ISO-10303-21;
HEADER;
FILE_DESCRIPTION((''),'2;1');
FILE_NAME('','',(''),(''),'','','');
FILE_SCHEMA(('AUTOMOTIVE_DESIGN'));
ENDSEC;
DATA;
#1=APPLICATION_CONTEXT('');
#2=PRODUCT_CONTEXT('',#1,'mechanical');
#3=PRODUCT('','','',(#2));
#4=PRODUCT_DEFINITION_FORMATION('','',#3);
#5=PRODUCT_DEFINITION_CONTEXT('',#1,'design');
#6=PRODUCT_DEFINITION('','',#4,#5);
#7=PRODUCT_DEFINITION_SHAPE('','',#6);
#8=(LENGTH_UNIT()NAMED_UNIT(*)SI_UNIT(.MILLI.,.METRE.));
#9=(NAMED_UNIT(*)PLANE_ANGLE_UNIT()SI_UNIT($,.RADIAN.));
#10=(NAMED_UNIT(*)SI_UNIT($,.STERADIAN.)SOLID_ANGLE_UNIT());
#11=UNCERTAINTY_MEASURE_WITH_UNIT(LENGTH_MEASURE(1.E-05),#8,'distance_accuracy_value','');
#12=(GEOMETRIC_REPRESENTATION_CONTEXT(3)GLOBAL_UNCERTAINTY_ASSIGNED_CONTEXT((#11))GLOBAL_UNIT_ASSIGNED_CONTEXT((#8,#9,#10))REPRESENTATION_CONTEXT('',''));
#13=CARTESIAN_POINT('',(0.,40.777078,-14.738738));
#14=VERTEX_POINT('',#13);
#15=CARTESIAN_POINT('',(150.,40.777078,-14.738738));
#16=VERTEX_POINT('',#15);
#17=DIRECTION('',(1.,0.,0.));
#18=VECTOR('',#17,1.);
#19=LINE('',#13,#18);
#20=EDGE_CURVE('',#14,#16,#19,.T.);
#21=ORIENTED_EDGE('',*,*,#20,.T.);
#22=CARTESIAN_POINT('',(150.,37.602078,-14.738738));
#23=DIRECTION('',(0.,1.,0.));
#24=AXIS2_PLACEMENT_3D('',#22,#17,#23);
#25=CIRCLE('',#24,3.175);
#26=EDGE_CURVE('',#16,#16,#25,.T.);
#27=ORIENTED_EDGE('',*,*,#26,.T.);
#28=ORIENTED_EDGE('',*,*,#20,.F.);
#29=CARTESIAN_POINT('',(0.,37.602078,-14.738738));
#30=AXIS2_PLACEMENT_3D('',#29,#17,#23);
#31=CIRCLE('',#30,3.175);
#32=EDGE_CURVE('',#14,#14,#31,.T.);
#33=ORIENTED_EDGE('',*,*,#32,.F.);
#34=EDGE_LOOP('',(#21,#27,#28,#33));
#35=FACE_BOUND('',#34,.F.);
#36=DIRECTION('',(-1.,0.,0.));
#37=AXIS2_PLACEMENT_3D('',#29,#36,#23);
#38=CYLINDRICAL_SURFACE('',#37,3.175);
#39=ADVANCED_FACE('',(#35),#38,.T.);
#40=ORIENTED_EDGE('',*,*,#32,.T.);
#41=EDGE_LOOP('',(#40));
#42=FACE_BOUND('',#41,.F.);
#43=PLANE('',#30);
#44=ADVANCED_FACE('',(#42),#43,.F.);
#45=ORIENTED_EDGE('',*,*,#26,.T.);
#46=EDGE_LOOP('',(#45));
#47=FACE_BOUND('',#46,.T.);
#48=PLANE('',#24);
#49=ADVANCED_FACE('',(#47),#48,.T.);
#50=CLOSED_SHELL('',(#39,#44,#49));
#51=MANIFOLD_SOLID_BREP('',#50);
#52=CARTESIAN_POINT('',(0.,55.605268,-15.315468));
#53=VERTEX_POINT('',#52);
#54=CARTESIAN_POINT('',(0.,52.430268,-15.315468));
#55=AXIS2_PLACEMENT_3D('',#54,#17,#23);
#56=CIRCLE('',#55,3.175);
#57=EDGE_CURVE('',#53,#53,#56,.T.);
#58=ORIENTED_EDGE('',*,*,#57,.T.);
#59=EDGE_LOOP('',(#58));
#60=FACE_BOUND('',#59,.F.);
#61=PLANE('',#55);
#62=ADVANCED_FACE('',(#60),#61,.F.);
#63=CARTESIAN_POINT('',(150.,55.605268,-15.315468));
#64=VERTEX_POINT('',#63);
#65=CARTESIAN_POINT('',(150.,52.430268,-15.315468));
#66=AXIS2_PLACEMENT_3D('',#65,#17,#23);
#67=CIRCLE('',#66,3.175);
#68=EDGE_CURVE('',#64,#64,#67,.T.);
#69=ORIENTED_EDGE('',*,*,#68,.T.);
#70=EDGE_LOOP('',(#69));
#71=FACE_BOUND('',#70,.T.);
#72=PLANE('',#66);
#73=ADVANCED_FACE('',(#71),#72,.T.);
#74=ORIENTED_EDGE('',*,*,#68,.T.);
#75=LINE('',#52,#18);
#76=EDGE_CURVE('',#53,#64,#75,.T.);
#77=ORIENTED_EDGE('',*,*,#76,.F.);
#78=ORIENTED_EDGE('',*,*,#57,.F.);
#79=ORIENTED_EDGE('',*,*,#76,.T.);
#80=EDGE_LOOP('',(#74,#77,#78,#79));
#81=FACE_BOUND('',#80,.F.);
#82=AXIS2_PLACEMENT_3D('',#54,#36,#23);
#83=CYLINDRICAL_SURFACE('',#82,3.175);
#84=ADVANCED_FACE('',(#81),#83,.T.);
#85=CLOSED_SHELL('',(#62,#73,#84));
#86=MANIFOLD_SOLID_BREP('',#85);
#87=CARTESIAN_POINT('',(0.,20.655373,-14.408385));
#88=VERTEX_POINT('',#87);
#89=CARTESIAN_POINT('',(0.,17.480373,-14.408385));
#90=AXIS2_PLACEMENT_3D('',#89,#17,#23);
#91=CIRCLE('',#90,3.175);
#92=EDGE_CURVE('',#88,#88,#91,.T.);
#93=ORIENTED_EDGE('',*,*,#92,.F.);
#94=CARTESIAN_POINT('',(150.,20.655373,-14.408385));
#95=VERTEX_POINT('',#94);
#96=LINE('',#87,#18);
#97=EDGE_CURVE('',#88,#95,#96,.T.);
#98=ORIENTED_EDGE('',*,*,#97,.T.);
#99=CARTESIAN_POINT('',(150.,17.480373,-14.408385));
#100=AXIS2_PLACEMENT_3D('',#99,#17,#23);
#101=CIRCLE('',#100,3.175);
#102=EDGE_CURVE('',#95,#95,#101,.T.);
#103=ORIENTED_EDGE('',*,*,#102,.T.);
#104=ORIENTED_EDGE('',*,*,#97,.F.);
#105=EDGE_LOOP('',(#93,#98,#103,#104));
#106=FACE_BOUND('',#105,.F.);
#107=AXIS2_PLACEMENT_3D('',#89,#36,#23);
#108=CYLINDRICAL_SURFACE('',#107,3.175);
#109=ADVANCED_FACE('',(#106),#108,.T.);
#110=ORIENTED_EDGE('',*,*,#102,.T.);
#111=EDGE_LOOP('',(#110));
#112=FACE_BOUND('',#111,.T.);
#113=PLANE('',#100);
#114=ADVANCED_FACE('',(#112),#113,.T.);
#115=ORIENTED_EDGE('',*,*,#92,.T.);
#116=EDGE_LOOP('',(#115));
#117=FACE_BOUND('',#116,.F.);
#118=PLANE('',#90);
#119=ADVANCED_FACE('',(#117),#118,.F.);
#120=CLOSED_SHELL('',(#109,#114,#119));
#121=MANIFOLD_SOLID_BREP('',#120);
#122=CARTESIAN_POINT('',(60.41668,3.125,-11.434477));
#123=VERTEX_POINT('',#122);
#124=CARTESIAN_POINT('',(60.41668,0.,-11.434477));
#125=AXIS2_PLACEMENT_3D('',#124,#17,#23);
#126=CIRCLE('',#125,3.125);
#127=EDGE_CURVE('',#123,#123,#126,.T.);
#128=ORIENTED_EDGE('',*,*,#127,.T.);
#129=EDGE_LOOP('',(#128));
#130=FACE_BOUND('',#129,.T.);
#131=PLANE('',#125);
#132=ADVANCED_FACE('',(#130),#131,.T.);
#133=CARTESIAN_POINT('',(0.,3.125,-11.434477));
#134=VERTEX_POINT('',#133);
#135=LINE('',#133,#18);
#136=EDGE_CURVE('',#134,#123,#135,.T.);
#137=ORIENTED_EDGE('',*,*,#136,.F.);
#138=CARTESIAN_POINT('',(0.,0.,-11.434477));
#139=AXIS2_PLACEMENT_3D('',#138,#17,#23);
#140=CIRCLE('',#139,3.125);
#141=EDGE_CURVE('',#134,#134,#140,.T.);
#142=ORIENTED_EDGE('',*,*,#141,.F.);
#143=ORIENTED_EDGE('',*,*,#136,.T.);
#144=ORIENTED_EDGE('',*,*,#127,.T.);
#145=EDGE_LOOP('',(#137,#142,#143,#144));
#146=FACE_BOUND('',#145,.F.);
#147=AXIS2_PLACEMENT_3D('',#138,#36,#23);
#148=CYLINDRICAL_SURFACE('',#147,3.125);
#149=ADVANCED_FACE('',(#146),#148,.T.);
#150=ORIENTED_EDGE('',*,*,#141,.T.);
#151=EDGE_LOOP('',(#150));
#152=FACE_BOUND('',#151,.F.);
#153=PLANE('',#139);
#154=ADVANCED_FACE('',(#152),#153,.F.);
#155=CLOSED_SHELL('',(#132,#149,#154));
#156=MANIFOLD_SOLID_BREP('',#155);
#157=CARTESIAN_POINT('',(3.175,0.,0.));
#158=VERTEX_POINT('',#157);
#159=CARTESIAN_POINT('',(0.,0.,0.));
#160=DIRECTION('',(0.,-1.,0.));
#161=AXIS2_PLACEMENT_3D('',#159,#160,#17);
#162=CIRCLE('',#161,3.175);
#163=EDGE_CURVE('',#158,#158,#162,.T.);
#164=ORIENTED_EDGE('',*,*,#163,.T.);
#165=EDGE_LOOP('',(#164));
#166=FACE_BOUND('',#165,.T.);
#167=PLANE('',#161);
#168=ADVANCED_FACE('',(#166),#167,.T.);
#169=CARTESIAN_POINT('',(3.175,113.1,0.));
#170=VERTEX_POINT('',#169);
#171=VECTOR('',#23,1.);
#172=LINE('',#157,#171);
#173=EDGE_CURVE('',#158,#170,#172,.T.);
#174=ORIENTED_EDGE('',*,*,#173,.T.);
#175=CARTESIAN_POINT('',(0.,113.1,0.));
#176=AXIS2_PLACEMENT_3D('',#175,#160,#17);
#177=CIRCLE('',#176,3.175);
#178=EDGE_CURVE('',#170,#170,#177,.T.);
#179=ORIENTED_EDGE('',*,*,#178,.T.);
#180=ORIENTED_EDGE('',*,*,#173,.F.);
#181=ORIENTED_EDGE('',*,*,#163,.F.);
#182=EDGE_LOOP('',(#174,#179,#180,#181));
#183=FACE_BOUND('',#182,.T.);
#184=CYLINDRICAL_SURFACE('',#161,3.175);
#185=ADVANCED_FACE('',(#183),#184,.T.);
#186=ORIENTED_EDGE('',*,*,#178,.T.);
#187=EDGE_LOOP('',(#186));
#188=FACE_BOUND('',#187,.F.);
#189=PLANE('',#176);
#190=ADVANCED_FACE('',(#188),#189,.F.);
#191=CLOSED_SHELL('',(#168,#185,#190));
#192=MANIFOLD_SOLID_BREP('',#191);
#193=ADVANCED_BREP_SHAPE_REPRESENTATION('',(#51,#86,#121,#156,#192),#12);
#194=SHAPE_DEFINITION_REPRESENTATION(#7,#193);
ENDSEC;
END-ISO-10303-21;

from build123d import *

# Parameters (mm, degrees)
F0_R     = 3.175
F1_DEPTH = 113.1
F2_R     = 3.125
F3_DEPTH = 60.41668
F4_R     = 3.175
F5_DEPTH = 150
F6_R     = 3.175
F7_DEPTH = 150
F8_R     = 3.175
F9_DEPTH = 150


with BuildPart() as f1:
    # F0 (on Front) → F1 (new body)
    with BuildSketch(Plane.XZ):
        Circle(F0_R)
    extrude(amount=-F1_DEPTH)


with BuildPart() as f3:
    # F2 (on Right) → F3 (new body)
    with BuildSketch(Plane.YZ):
        with Locations((0, -11.434477)):
            Circle(F2_R)
    extrude(amount=F3_DEPTH)


with BuildPart() as f5:
    # F4 (on Right) → F5 (new body)
    with BuildSketch(Plane.YZ):
        with Locations((17.480373, -14.408385)):
            Circle(F4_R)
    extrude(amount=F5_DEPTH)


with BuildPart() as f7:
    # F6 (on Right) → F7 (new body)
    with BuildSketch(Plane.YZ):
        with Locations((37.602078, -14.738738)):
            Circle(F6_R)
    extrude(amount=F7_DEPTH)


with BuildPart() as f9:
    # F8 (on Right) → F9 (new body)
    with BuildSketch(Plane.YZ):
        with Locations((52.430268, -15.315468)):
            Circle(F8_R)
    extrude(amount=F9_DEPTH)


solid = Compound([f1.part, f3.part, f5.part, f7.part, f9.part])
